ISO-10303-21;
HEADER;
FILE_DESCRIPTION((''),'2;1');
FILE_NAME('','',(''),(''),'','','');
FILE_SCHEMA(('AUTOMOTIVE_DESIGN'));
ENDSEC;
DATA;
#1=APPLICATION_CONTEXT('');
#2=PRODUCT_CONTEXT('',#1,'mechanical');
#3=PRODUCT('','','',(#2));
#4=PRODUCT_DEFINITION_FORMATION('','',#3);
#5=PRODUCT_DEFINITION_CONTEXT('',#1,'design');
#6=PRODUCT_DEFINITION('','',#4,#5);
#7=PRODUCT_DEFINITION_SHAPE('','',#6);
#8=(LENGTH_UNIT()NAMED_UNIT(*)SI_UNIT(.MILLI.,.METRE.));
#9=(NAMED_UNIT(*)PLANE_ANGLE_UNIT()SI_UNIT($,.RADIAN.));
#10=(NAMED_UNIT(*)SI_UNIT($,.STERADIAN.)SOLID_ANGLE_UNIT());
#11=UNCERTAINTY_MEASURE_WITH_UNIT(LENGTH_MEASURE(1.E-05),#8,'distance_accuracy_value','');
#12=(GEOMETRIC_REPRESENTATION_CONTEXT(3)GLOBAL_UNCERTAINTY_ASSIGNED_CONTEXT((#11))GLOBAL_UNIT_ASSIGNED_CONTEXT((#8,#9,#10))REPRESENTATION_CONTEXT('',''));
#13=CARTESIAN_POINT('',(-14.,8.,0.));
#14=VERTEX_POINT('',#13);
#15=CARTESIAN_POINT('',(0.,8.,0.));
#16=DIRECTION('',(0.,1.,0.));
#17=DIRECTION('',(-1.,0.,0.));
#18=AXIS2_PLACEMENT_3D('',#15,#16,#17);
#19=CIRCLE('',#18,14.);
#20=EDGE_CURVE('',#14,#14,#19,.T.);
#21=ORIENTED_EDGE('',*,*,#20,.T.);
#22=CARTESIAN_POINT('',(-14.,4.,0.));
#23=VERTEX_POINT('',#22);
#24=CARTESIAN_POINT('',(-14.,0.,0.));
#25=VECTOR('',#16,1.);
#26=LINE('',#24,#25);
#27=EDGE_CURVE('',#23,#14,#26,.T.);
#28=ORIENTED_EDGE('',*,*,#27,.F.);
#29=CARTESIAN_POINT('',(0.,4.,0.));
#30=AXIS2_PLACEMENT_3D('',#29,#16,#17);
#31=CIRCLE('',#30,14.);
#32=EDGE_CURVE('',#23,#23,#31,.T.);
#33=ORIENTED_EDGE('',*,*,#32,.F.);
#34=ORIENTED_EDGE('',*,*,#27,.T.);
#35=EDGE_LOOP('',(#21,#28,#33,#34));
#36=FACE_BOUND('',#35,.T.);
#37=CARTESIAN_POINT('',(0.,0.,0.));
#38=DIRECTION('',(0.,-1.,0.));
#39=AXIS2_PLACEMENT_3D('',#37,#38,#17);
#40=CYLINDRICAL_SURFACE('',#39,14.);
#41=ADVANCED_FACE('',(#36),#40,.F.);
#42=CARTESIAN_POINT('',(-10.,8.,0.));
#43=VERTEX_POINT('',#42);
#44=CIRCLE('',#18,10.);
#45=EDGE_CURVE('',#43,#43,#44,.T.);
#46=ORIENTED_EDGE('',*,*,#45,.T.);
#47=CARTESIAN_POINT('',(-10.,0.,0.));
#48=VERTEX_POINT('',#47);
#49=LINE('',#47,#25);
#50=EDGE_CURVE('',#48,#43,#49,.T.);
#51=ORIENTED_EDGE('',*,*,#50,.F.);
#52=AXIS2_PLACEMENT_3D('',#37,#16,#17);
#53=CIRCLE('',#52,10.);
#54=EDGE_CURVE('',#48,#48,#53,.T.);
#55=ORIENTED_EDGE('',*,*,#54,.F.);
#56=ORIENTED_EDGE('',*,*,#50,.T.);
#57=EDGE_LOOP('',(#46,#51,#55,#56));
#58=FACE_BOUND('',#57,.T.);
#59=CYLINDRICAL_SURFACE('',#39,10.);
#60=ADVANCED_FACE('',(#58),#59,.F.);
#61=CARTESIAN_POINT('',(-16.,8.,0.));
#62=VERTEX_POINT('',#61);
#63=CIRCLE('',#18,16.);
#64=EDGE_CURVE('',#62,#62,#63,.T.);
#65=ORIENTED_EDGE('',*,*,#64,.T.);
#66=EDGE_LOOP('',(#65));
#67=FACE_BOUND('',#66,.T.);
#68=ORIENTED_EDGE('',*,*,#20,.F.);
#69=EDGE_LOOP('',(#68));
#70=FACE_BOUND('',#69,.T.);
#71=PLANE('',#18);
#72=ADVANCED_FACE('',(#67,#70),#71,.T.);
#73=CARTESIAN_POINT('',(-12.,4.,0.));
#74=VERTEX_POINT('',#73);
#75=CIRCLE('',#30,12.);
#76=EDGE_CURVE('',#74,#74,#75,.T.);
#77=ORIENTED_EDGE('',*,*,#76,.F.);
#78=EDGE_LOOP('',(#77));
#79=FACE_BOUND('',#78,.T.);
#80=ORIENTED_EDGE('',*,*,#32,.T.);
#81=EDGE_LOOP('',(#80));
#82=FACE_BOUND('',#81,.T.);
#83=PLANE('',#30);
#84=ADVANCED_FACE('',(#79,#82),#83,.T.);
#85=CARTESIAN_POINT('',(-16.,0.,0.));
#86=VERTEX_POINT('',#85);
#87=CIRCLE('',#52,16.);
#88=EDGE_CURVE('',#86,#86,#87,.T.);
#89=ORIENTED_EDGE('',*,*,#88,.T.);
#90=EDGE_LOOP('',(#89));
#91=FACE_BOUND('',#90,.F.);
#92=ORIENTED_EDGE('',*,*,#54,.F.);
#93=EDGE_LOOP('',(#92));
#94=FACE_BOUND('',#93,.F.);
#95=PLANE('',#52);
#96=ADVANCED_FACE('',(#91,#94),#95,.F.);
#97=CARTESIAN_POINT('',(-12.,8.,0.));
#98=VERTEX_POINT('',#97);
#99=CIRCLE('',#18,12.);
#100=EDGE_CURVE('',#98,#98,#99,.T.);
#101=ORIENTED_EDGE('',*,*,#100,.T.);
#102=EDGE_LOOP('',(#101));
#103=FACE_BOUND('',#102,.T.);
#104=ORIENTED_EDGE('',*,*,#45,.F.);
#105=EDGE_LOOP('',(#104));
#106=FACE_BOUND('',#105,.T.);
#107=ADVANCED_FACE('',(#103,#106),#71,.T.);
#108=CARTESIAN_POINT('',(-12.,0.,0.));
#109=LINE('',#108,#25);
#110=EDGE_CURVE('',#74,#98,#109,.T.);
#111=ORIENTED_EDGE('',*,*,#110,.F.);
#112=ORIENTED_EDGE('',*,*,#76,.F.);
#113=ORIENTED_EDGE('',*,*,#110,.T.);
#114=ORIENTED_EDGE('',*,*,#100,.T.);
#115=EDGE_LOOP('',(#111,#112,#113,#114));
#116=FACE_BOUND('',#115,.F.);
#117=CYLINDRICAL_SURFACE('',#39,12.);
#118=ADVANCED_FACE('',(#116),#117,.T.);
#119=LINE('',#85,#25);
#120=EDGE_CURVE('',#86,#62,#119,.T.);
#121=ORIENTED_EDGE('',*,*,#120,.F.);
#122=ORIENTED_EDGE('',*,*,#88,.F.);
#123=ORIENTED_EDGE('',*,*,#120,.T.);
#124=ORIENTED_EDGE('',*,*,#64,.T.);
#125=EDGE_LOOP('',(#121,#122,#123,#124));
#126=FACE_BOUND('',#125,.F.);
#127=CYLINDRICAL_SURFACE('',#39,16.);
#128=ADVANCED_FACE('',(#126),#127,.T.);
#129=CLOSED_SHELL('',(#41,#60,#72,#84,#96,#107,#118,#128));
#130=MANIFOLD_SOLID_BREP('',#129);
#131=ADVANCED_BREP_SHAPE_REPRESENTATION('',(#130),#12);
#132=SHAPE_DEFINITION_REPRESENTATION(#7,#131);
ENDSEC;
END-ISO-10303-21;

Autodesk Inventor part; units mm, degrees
ref_plane "YZ Plane" through (0, 0, 0) normal (1, 0, 0) x (0, 1, 0)
ref_plane "XZ Plane" through (0, 0, 0) normal (0, 1, 0) x (-1, 0, 0)
ref_plane "XY Plane" through (0, 0, 0) normal (0, 0, 1) x (1, 0, 0)
sketch "Sketch1" plane through (0, 0, 0) normal (0, 1, 0) x (-1, 0, 0)
  circle A0 centre (0, 0) radius 10
  circle A1 centre (0, 0) radius 12
  circle A2 centre (0, 0) radius 14
  circle A3 centre (0, 0) radius 16
  dimension "d0" = 20
  dimension "d1" = 24
  dimension "d2" = 32
  dimension "d3" = 28
extrude "Extrusion1" add sketch "Sketch1" along normal blind 8
extrude "Extrusion2" add sketch "Sketch1" along normal blind 4 contours A2
properties part number "Uszczelka front" material "Rubber"
